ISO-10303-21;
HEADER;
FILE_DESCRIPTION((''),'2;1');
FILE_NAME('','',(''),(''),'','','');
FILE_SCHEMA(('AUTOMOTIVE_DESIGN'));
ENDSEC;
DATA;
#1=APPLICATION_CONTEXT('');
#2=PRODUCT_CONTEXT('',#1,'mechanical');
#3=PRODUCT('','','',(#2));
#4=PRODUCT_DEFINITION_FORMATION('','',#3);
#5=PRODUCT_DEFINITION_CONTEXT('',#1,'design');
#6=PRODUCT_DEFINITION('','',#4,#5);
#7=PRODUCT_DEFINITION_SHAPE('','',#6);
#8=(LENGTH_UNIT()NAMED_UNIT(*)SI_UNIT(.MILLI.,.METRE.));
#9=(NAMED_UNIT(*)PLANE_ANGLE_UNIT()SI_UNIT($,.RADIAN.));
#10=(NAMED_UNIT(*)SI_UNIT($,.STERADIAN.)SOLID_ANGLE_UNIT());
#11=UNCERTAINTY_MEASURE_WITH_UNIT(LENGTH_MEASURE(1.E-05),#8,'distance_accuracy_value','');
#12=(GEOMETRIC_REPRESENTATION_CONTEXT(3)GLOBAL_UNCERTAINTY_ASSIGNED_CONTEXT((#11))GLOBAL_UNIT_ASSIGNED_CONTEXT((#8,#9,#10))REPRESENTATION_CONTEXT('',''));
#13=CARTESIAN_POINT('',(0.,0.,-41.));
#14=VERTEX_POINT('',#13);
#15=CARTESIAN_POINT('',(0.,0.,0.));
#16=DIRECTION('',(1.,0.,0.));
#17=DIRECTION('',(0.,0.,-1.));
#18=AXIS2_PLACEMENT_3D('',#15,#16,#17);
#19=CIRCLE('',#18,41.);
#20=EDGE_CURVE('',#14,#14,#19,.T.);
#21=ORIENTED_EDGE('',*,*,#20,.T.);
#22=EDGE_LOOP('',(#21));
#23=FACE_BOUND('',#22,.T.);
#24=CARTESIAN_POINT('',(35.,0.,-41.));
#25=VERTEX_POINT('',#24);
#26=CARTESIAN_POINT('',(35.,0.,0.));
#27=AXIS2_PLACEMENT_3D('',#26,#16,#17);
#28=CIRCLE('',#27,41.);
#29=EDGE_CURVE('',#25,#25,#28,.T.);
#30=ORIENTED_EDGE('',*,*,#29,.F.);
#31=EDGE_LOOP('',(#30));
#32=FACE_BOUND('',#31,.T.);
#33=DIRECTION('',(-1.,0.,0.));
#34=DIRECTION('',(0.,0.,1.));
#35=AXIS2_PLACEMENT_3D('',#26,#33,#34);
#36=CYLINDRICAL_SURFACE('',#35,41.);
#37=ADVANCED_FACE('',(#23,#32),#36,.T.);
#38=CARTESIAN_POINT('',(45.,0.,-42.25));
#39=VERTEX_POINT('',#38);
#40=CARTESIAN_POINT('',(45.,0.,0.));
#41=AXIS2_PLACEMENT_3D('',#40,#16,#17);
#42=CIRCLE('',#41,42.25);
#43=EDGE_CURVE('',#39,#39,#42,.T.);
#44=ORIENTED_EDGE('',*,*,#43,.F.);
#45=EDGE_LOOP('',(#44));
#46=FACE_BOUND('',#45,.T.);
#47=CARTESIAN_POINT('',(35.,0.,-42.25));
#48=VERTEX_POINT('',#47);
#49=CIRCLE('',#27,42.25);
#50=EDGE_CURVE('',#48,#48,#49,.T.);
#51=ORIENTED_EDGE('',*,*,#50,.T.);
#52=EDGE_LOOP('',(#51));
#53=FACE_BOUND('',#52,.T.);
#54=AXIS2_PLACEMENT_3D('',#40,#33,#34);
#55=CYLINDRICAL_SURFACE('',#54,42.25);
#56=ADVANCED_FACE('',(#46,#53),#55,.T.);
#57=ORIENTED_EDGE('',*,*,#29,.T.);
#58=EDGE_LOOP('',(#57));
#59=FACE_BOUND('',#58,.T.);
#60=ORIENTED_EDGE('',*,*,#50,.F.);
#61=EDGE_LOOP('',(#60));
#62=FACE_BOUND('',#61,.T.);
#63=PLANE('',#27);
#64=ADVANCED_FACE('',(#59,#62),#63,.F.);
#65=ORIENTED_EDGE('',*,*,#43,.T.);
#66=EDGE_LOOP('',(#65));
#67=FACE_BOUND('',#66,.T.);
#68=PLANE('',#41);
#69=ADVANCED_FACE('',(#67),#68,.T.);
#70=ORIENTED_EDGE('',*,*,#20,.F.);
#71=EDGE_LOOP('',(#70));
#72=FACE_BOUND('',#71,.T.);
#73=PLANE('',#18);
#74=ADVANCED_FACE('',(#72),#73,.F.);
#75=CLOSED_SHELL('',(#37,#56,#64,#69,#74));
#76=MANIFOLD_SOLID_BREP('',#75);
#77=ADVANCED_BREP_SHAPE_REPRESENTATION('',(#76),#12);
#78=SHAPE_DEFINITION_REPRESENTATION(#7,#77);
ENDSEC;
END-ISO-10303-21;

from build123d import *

# Parameters (mm, degrees)
SKETCH1_R           = 41
BOSS_EXTRUDE1_DEPTH = 35
SKETCH2_R           = 42.25
BOSS_EXTRUDE2_DEPTH = 10


with BuildPart() as part:
    # Sketch1 → Boss-Extrude1 (new body)
    with BuildSketch(Plane(origin=(0, 0, 0), x_dir=(0, 0, -1), z_dir=(1, 0, 0))):
        Circle(SKETCH1_R)
    extrude(amount=BOSS_EXTRUDE1_DEPTH)

    # Sketch2 → Boss-Extrude2 (add)
    with BuildSketch(Plane(origin=(35, 0, 0), x_dir=(0, 0, -1), z_dir=(1, 0, 0))):
        Circle(SKETCH2_R)
    extrude(amount=BOSS_EXTRUDE2_DEPTH)


solid = part.part
